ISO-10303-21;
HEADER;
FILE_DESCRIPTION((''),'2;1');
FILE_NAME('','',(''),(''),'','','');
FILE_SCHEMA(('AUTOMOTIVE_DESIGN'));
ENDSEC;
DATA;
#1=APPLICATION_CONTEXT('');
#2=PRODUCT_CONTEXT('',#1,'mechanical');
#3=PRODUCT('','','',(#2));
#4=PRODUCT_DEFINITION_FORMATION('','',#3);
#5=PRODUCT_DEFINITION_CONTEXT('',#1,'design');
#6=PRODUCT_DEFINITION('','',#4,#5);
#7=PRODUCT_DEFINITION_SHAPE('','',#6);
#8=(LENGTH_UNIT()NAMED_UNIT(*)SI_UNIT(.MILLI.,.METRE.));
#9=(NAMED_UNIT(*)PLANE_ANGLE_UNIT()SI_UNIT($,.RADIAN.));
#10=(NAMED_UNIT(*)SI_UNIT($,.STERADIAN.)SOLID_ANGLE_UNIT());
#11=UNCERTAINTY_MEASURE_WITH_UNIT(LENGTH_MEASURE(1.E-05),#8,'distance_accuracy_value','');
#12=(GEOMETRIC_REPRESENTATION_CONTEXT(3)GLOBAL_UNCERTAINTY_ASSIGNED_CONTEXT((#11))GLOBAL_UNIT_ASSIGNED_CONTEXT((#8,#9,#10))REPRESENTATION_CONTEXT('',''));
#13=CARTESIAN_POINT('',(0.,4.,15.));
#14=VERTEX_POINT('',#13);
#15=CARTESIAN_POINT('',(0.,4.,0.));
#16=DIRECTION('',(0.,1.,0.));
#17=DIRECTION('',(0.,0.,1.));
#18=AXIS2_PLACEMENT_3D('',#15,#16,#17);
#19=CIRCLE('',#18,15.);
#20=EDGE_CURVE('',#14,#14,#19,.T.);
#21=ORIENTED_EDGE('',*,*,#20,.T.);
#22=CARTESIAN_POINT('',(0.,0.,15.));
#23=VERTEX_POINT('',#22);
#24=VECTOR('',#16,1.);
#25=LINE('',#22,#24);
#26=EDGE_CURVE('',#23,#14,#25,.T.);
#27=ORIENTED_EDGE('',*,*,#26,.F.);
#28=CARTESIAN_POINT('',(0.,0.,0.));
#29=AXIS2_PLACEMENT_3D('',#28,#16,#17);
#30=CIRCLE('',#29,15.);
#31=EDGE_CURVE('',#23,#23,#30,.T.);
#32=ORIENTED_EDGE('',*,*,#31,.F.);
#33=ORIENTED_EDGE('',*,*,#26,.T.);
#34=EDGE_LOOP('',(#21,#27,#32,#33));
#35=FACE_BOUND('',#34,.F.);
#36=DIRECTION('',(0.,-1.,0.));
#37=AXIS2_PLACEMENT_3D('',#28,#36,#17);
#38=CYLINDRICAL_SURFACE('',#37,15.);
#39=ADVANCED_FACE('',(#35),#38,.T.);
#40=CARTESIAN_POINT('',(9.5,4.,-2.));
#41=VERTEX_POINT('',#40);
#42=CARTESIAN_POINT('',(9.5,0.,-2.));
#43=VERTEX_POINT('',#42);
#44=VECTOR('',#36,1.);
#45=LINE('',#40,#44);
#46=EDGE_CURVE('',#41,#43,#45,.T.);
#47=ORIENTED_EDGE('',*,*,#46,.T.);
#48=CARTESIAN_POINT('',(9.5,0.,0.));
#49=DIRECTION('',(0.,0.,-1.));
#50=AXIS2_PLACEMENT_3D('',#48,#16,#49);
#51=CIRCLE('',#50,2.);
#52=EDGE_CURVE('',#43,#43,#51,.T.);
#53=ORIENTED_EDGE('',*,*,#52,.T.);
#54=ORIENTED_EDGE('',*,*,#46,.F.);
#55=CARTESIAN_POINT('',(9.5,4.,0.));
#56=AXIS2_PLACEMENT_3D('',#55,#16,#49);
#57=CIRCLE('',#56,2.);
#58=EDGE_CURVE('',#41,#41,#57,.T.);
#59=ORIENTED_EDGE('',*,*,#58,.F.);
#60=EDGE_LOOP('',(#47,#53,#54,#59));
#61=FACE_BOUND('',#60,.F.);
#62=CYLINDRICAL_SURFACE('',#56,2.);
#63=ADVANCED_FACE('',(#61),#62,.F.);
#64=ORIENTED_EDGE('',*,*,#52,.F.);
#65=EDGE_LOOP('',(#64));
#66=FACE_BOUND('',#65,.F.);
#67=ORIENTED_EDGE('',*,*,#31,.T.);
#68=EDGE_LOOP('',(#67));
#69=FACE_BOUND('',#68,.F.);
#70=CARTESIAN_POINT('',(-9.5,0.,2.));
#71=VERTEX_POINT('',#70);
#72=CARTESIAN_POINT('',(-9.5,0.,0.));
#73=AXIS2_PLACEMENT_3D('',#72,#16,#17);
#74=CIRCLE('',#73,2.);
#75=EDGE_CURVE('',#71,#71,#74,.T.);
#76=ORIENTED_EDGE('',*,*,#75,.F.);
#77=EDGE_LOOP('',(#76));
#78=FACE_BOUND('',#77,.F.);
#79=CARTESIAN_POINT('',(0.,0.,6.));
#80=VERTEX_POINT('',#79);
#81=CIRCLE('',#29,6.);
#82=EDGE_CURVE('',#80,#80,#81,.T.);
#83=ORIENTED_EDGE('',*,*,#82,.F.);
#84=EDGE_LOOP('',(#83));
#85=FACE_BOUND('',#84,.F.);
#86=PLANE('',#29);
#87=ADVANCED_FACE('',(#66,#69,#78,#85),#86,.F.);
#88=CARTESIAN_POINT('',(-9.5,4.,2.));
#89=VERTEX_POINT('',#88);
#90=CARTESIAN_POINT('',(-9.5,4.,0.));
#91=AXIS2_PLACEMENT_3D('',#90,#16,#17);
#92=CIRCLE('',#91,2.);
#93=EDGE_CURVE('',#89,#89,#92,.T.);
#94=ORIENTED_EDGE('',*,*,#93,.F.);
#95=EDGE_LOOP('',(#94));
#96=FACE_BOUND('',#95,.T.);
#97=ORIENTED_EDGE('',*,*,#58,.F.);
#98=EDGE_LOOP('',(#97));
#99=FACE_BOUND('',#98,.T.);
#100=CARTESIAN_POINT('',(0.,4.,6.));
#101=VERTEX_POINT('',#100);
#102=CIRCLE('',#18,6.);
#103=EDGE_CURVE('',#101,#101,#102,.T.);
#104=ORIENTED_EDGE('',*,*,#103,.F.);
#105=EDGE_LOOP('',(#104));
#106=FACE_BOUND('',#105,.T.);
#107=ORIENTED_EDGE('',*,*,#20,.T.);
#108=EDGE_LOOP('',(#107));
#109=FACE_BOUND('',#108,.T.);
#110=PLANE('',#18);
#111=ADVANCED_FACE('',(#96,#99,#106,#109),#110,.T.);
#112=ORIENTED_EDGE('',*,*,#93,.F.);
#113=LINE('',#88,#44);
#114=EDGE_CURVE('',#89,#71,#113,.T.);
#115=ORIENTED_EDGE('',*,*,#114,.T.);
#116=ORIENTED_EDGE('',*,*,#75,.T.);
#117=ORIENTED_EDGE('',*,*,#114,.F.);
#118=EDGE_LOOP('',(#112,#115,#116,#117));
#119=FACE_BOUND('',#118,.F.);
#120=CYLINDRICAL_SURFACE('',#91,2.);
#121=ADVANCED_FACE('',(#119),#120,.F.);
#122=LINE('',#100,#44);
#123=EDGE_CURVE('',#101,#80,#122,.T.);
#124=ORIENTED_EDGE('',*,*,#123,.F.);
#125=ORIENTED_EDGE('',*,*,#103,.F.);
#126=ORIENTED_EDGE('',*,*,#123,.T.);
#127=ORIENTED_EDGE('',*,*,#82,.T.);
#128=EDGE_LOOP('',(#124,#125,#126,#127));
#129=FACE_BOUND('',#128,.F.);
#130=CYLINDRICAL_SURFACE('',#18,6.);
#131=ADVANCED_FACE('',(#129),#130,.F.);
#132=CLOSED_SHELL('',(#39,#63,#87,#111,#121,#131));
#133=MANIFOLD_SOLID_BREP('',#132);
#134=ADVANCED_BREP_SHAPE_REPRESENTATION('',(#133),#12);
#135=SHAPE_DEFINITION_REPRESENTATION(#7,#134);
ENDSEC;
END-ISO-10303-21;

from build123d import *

# Parameters (mm, degrees)
SKETCH1_R           = 15
BOSS_EXTRUDE1_DEPTH = 4
SKETCH2_R           = 6
CUT_EXTRUDE1_DEPTH  = 22.587033145
SKETCH3_R           = 2
CUT_EXTRUDE2_DEPTH  = 22.587033145


with BuildPart() as part:
    # Sketch1 → Boss-Extrude1 (new body)
    with BuildSketch(Plane(origin=(0, 0, 0), x_dir=(1, 0, 0), z_dir=(0, 1, 0))):
        with Locations(Location((0, 0, 0), (0, 0, 270))):
            Circle(SKETCH1_R)
    extrude(amount=BOSS_EXTRUDE1_DEPTH)

    # Sketch2 → Cut-Extrude1 (cut, through all)
    with BuildSketch(Plane(origin=(0, 4, 0), x_dir=(1, 0, 0), z_dir=(0, 1, 0))):
        with Locations(Location((0, 0, 0), (0, 0, 270))):
            Circle(SKETCH2_R)
    extrude(amount=-CUT_EXTRUDE1_DEPTH, mode=Mode.SUBTRACT)

    # Sketch3 → Cut-Extrude2 (cut, through all)
    with BuildSketch(Plane(origin=(0, 4, 0), x_dir=(1, 0, 0), z_dir=(0, 1, 0))):
        with Locations(Location((-9.5, 0, 0), (0, 0, 270))):
            Circle(SKETCH3_R)
        with Locations(Location((9.5, 0, 0), (0, 0, 90))):
            Circle(SKETCH3_R)
    extrude(amount=-CUT_EXTRUDE2_DEPTH, mode=Mode.SUBTRACT)


solid = part.part
